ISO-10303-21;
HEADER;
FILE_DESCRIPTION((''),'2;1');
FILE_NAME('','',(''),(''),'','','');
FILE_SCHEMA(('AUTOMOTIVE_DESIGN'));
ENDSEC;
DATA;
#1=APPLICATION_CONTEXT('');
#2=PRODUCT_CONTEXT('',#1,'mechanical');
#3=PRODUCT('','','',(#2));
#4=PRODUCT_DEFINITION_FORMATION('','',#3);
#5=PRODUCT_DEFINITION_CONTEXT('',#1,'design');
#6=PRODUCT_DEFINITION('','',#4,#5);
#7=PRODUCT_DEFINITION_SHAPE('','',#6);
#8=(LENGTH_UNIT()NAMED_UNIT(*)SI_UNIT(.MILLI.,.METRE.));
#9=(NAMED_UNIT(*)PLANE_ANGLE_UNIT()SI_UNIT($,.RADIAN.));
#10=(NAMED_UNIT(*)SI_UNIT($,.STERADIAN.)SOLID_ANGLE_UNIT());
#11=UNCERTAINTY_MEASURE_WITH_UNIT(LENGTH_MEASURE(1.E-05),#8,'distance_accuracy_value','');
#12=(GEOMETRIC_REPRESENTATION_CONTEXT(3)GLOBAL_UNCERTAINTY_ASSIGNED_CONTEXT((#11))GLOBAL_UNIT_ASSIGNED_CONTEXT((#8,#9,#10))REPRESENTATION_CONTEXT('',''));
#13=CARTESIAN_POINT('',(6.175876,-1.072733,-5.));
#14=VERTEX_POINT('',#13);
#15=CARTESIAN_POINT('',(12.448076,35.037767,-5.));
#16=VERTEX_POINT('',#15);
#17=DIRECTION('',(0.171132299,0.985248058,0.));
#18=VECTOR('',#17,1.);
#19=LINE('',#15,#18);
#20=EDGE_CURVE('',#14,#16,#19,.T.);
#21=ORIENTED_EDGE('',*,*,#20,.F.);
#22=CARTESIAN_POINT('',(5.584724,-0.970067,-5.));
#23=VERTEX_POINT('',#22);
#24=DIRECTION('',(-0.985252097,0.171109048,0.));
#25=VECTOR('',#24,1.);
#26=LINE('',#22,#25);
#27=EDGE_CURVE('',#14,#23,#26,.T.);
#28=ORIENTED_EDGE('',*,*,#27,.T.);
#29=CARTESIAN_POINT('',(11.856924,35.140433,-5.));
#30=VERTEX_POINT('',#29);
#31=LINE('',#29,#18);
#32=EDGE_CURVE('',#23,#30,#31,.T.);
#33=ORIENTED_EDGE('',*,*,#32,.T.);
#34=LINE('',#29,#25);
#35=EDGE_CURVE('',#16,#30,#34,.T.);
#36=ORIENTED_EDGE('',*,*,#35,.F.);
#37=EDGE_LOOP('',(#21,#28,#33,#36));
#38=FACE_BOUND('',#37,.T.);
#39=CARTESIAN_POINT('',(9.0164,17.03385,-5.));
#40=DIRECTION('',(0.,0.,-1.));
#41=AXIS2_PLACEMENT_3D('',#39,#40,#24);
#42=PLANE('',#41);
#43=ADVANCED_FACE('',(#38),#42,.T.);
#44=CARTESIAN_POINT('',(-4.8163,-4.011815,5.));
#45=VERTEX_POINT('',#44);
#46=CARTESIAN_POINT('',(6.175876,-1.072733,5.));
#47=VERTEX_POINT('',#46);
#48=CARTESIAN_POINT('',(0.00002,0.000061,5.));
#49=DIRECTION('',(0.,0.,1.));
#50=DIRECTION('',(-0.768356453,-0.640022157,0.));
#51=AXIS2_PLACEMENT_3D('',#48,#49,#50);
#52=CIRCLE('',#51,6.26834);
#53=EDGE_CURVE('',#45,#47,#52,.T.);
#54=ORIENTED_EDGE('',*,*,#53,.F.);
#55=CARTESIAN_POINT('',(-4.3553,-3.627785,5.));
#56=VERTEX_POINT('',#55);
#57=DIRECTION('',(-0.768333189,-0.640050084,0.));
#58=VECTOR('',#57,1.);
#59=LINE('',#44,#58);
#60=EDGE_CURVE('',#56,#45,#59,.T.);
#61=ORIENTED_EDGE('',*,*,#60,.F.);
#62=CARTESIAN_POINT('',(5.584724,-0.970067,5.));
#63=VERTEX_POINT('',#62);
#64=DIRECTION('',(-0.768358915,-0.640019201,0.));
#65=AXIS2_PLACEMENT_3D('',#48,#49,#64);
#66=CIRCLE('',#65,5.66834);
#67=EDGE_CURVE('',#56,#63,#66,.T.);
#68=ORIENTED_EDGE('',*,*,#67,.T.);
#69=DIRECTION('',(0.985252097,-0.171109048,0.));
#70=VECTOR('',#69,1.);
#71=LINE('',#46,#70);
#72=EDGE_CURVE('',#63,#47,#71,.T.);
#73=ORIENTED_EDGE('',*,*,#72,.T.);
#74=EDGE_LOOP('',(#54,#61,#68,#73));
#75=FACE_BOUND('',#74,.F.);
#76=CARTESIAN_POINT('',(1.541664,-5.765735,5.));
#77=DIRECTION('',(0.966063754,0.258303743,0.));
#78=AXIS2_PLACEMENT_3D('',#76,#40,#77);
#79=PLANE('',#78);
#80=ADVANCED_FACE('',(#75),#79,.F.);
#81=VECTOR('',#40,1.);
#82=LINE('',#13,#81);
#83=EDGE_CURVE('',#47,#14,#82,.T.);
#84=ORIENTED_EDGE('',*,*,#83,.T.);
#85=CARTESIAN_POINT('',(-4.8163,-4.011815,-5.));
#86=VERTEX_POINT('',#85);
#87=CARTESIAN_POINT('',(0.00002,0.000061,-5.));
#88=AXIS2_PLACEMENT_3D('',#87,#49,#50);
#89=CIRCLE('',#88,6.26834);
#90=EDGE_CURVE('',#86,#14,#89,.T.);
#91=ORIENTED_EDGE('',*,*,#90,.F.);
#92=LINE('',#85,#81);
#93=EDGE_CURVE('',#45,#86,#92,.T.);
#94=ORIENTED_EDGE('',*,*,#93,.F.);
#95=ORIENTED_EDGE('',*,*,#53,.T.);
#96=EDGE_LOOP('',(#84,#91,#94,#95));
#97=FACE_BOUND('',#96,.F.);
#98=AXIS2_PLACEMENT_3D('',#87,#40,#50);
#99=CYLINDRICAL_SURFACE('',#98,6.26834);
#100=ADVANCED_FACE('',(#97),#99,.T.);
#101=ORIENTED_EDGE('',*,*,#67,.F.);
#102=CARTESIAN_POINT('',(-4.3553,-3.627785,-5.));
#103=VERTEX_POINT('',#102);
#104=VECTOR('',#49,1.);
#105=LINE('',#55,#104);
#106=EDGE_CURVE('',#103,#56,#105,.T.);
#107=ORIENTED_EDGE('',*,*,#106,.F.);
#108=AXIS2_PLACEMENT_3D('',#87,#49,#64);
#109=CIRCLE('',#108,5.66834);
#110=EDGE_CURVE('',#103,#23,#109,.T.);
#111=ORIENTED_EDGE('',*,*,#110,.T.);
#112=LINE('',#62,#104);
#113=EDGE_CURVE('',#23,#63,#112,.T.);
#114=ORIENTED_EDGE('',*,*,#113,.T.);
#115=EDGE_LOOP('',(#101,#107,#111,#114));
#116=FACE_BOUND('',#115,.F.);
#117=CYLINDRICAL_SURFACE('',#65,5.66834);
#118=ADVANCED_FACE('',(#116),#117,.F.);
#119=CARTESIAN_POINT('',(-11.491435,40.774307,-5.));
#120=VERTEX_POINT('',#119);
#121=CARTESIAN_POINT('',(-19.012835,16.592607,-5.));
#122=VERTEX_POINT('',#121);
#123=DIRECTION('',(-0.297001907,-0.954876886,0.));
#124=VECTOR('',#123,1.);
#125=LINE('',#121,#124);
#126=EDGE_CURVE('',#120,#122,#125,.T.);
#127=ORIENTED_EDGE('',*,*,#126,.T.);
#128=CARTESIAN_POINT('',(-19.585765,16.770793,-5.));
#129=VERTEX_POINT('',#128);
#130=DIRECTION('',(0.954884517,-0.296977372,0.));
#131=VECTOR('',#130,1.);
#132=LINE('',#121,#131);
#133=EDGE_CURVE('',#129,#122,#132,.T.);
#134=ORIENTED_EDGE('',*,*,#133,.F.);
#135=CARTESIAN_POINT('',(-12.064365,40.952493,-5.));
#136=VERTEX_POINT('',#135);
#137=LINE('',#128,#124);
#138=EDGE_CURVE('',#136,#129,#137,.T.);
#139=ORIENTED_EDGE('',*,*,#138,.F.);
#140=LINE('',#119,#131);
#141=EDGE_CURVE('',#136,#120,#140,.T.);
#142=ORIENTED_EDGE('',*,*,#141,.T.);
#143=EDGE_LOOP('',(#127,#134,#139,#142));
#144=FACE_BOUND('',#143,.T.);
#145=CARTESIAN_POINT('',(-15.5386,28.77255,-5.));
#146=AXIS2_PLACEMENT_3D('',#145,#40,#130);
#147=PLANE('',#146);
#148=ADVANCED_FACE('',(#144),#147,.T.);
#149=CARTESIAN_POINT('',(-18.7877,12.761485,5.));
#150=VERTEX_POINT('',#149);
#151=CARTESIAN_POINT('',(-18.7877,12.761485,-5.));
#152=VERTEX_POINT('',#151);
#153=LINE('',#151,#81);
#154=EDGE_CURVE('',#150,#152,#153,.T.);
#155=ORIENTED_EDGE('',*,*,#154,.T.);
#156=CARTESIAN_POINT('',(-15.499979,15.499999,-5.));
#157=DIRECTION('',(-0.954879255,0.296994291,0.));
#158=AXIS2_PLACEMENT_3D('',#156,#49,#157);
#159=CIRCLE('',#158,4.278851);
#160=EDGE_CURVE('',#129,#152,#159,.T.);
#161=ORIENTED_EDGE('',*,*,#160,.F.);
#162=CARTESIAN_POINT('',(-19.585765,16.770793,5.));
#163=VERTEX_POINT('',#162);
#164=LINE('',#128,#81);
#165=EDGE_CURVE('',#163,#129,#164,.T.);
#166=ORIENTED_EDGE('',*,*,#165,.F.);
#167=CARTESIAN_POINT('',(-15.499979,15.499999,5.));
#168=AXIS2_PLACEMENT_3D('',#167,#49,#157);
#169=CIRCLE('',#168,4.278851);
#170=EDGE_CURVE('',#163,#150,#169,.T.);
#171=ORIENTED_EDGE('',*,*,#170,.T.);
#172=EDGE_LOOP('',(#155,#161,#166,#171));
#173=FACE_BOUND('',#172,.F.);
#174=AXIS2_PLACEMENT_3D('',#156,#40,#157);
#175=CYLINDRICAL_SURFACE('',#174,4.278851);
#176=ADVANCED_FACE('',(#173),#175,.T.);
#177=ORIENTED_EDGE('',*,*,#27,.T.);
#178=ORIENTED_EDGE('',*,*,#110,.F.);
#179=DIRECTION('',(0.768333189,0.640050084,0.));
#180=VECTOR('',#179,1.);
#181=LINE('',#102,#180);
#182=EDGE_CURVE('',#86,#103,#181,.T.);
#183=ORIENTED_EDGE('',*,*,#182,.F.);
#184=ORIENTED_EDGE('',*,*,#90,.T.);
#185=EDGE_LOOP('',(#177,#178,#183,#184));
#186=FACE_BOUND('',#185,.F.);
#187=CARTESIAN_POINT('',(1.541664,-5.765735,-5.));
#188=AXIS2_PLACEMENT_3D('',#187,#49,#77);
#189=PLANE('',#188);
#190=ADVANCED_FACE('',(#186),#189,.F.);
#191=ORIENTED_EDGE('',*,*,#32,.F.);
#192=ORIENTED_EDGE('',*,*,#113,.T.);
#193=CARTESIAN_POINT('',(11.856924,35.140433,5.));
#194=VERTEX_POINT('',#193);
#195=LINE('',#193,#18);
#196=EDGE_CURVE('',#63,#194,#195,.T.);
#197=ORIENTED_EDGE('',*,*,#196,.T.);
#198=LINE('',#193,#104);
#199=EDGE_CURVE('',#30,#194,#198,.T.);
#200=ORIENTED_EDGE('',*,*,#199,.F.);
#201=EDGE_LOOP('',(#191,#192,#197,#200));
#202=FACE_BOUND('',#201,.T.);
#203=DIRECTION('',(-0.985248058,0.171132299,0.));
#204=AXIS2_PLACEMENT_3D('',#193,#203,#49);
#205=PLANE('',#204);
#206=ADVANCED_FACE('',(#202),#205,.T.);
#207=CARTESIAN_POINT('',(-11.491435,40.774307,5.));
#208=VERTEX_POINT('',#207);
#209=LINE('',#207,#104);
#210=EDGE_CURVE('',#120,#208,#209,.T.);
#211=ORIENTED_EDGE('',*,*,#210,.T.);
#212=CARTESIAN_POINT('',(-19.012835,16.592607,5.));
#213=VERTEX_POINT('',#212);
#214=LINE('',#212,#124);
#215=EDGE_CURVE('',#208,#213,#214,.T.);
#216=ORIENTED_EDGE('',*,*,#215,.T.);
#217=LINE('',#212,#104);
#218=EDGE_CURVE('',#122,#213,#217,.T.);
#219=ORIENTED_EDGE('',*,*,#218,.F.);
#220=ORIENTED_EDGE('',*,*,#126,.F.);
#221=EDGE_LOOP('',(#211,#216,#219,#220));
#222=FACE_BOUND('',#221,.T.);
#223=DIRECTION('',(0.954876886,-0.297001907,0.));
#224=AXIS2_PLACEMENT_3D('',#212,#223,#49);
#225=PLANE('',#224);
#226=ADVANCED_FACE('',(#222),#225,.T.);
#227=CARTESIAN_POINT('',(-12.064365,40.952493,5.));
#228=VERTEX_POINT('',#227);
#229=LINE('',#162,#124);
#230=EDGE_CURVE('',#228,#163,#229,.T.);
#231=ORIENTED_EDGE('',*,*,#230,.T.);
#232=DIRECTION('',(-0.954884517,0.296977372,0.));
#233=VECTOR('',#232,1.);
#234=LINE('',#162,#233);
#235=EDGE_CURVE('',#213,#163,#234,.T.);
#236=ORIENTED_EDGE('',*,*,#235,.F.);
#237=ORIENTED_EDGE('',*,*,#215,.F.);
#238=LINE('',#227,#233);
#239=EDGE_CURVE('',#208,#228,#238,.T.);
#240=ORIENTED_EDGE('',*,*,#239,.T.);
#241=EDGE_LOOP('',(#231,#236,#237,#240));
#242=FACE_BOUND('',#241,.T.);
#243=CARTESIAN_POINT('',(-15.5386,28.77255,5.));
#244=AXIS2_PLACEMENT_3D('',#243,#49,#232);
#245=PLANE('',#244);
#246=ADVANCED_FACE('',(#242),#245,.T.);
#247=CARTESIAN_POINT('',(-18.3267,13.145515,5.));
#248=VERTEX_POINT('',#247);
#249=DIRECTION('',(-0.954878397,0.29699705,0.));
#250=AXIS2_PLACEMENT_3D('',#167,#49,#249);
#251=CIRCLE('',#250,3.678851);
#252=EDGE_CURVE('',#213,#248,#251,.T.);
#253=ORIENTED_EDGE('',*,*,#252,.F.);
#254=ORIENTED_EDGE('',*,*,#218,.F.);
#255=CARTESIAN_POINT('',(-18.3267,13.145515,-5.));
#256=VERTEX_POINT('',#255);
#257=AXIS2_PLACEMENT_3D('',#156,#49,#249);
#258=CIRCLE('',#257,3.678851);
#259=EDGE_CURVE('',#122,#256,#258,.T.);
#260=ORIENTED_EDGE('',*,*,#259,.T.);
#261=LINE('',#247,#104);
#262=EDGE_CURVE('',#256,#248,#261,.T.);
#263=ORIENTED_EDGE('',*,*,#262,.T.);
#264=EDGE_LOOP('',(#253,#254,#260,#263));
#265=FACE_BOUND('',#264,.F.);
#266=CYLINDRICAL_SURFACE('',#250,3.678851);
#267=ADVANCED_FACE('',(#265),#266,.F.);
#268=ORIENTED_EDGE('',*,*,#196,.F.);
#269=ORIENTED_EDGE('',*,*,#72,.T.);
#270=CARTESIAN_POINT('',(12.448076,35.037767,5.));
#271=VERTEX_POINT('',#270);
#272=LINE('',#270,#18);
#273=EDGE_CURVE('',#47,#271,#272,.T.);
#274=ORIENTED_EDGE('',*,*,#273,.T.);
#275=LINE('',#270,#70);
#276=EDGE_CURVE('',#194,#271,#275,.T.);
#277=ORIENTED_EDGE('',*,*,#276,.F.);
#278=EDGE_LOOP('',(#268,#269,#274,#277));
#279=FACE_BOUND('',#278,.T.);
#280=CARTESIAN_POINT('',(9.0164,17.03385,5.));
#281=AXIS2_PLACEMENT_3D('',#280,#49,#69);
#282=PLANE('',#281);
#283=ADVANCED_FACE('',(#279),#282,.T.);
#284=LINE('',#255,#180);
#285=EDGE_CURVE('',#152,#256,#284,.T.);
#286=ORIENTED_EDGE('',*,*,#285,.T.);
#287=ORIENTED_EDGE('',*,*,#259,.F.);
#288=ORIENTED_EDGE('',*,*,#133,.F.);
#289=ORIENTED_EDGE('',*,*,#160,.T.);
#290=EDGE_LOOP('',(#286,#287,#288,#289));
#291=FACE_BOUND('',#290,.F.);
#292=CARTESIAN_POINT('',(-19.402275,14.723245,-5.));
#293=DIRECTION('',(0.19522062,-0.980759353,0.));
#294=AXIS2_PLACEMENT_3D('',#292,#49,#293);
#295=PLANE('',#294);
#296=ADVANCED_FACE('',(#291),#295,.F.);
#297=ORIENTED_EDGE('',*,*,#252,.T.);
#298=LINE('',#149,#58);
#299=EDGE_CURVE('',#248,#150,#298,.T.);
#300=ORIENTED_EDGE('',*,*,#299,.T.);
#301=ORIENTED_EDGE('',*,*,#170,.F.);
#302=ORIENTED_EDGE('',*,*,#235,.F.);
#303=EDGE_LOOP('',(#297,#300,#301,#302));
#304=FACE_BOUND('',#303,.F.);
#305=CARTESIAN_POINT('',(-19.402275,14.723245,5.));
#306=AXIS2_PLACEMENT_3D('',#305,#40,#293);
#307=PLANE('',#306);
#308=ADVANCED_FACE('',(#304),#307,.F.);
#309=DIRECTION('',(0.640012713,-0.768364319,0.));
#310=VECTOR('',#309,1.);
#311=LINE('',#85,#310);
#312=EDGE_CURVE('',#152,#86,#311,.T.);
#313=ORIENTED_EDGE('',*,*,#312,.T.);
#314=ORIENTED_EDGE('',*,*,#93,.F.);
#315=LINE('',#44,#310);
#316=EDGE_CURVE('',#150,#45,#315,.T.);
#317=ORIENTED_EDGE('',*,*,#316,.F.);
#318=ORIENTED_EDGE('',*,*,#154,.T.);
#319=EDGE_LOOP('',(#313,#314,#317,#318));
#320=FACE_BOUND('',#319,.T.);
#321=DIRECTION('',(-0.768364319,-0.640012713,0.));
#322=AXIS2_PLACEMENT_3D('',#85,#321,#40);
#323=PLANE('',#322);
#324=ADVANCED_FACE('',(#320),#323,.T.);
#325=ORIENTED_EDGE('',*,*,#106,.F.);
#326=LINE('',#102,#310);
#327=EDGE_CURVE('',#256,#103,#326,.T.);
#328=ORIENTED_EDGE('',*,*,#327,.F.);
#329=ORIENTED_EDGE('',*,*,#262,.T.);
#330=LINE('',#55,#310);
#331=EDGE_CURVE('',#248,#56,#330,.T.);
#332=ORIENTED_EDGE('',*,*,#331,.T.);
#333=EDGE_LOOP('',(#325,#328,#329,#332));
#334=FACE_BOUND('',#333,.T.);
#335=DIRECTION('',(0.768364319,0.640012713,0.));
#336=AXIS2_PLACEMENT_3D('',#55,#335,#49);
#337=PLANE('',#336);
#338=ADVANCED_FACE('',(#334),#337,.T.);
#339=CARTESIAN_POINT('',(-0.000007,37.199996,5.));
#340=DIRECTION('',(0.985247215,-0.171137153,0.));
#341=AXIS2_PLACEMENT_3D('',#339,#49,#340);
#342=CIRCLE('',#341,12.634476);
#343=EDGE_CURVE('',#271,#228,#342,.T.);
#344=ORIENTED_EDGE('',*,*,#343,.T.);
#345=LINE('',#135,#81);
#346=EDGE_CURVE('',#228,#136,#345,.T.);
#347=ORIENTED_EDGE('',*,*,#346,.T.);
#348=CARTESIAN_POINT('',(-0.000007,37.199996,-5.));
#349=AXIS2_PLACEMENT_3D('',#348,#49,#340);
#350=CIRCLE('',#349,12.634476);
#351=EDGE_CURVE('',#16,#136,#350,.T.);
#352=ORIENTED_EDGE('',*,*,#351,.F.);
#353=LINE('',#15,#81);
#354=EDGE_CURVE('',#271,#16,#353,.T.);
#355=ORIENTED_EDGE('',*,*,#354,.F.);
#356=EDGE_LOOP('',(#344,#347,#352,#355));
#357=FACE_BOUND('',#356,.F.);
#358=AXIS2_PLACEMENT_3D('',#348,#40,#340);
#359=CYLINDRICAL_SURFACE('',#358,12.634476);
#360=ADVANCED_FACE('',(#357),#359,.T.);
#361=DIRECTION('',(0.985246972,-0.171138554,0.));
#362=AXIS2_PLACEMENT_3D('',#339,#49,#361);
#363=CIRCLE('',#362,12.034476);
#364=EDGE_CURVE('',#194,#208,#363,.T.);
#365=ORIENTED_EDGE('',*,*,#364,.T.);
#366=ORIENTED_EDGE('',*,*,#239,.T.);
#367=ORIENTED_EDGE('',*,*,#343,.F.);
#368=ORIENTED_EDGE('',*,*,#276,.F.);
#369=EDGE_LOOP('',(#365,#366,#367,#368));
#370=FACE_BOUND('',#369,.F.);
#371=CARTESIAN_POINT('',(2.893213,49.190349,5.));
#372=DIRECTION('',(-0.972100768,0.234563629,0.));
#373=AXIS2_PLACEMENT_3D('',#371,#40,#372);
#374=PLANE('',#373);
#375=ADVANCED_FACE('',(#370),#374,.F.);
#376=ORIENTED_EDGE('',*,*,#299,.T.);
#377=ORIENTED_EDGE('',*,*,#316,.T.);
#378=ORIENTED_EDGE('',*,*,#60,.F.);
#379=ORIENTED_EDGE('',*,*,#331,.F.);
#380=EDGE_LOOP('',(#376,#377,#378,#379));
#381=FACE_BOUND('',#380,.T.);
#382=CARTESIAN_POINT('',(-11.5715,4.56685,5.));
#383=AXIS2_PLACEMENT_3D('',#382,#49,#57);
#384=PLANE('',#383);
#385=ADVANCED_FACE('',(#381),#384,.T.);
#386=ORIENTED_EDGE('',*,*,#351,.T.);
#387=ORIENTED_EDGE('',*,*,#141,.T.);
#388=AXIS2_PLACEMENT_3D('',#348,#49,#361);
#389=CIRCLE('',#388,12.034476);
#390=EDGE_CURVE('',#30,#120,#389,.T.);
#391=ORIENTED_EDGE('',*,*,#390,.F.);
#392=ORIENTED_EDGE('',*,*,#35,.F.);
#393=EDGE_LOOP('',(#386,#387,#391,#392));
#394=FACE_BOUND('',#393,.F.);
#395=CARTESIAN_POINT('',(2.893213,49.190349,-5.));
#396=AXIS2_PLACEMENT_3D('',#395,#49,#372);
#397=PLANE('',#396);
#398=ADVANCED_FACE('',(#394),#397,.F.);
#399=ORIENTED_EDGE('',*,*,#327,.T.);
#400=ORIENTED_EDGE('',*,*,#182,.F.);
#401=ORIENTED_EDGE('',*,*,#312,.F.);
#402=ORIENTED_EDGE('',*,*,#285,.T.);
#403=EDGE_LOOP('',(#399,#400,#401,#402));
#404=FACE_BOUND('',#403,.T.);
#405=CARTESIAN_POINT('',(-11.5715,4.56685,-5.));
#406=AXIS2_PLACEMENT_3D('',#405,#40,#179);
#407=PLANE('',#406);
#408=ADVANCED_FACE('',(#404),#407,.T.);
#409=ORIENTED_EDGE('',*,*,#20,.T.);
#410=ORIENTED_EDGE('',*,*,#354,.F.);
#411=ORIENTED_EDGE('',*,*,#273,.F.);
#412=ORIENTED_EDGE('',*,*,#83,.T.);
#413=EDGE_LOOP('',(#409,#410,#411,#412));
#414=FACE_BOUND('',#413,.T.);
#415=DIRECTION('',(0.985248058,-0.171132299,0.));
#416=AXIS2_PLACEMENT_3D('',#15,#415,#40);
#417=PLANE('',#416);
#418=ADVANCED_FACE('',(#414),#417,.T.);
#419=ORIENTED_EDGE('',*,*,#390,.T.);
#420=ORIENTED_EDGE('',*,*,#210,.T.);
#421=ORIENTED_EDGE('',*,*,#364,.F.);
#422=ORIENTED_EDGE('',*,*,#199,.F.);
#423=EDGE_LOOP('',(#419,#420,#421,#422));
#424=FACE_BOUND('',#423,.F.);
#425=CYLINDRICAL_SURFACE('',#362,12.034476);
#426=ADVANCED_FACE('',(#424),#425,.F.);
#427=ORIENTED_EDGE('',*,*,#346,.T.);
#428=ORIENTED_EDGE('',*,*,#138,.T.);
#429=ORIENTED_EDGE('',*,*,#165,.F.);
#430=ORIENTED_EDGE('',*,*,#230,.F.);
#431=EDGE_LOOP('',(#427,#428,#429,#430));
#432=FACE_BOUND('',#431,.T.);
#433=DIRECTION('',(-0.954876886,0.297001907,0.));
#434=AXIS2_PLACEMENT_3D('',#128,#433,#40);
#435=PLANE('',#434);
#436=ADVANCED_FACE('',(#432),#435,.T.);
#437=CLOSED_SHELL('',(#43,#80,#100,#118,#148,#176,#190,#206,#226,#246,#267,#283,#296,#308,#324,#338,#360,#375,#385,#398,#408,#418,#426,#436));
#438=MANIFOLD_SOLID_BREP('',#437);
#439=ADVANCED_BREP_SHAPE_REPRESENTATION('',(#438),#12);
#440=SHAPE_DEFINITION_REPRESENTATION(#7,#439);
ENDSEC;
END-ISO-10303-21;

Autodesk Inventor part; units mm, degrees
sketch "Sketch Path" plane through (0, 0, 0) normal (0, 0, 1) x (1, 0, 0)
  arc A0 (-4.5858, -3.8198) -> (5.8803, -1.0214) centre (0, 0) ccw
  arc A1 (-19.2993, 16.6817) -> (-18.5572, 12.9535) centre (-15.5, 15.5) ccw
  arc A2 (12.1525, 35.0891) -> (-11.7779, 40.8634) centre (0, 37.2) ccw
  line L0 (12.1525, 35.0891) -> (5.8803, -1.0214)
  line L1 (-4.5858, -3.8198) -> (-18.5572, 12.9535)
  line L2 (-19.2993, 16.6817) -> (-11.7779, 40.8634)
ref_plane "Cross Section Plane" through (5.8803, -1.0214, 0) normal (0.1711, 0.9852, 0) x (0, 0, 1)
ref_plane "Work Plane2" through (0, 0, 0) normal (-1, 0, 0) x (0, 0, 1)
ref_plane "Work Plane3" through (-15.5, 15.5, 0) normal (0.2665, -0.9638, 0) x (0, 0, 1)
ref_plane "Work Plane4" through (0, 37.2, 0) normal (-0.4762, -0.8793, 0) x (0, 0, 1)
sketch "Cross Section" plane through (5.8803, -1.0214, 0) normal (0.1711, 0.9852, 0) x (0, 0, 1)
  line L0 (-5, 0.3) -> (5, 0.3)
  line L1 (5, 0.3) -> (5, -0.3)
  line L2 (5, -0.3) -> (-5, -0.3)
  line L3 (-5, -0.3) -> (-5, 0.3)
  line L4 (-5, 0) -> (5, 0) construction
  point P0 (0, 0)
  point P1 (0, 0)
  dimension "d0" = 10
  dimension "d4" = 0.3
  dimension "d5" = 0.3
sweep "Belt" add profiles "Cross Section" path "Sketch Path"
equation "\"d0\" = da_B"
equation "\"d4\" = da_a"
equation "\"d5\" = da_a2"
equation "\"da_B\" = 10"
equation "\"da_pb\" = 2.5"
equation "\"da_L\" = 138.49893"
equation "\"da_a\" = 0.3"
equation "\"da_S\" = 1.5"
equation "\"da_Beta\" = 20deg"
equation "\"da_Ht\" = 0.7"
equation "\"da_H\" = 1.3"
equation "\"da_a2\" = 0.3"
properties part number "Synchronous Belt" material "Rubber"
